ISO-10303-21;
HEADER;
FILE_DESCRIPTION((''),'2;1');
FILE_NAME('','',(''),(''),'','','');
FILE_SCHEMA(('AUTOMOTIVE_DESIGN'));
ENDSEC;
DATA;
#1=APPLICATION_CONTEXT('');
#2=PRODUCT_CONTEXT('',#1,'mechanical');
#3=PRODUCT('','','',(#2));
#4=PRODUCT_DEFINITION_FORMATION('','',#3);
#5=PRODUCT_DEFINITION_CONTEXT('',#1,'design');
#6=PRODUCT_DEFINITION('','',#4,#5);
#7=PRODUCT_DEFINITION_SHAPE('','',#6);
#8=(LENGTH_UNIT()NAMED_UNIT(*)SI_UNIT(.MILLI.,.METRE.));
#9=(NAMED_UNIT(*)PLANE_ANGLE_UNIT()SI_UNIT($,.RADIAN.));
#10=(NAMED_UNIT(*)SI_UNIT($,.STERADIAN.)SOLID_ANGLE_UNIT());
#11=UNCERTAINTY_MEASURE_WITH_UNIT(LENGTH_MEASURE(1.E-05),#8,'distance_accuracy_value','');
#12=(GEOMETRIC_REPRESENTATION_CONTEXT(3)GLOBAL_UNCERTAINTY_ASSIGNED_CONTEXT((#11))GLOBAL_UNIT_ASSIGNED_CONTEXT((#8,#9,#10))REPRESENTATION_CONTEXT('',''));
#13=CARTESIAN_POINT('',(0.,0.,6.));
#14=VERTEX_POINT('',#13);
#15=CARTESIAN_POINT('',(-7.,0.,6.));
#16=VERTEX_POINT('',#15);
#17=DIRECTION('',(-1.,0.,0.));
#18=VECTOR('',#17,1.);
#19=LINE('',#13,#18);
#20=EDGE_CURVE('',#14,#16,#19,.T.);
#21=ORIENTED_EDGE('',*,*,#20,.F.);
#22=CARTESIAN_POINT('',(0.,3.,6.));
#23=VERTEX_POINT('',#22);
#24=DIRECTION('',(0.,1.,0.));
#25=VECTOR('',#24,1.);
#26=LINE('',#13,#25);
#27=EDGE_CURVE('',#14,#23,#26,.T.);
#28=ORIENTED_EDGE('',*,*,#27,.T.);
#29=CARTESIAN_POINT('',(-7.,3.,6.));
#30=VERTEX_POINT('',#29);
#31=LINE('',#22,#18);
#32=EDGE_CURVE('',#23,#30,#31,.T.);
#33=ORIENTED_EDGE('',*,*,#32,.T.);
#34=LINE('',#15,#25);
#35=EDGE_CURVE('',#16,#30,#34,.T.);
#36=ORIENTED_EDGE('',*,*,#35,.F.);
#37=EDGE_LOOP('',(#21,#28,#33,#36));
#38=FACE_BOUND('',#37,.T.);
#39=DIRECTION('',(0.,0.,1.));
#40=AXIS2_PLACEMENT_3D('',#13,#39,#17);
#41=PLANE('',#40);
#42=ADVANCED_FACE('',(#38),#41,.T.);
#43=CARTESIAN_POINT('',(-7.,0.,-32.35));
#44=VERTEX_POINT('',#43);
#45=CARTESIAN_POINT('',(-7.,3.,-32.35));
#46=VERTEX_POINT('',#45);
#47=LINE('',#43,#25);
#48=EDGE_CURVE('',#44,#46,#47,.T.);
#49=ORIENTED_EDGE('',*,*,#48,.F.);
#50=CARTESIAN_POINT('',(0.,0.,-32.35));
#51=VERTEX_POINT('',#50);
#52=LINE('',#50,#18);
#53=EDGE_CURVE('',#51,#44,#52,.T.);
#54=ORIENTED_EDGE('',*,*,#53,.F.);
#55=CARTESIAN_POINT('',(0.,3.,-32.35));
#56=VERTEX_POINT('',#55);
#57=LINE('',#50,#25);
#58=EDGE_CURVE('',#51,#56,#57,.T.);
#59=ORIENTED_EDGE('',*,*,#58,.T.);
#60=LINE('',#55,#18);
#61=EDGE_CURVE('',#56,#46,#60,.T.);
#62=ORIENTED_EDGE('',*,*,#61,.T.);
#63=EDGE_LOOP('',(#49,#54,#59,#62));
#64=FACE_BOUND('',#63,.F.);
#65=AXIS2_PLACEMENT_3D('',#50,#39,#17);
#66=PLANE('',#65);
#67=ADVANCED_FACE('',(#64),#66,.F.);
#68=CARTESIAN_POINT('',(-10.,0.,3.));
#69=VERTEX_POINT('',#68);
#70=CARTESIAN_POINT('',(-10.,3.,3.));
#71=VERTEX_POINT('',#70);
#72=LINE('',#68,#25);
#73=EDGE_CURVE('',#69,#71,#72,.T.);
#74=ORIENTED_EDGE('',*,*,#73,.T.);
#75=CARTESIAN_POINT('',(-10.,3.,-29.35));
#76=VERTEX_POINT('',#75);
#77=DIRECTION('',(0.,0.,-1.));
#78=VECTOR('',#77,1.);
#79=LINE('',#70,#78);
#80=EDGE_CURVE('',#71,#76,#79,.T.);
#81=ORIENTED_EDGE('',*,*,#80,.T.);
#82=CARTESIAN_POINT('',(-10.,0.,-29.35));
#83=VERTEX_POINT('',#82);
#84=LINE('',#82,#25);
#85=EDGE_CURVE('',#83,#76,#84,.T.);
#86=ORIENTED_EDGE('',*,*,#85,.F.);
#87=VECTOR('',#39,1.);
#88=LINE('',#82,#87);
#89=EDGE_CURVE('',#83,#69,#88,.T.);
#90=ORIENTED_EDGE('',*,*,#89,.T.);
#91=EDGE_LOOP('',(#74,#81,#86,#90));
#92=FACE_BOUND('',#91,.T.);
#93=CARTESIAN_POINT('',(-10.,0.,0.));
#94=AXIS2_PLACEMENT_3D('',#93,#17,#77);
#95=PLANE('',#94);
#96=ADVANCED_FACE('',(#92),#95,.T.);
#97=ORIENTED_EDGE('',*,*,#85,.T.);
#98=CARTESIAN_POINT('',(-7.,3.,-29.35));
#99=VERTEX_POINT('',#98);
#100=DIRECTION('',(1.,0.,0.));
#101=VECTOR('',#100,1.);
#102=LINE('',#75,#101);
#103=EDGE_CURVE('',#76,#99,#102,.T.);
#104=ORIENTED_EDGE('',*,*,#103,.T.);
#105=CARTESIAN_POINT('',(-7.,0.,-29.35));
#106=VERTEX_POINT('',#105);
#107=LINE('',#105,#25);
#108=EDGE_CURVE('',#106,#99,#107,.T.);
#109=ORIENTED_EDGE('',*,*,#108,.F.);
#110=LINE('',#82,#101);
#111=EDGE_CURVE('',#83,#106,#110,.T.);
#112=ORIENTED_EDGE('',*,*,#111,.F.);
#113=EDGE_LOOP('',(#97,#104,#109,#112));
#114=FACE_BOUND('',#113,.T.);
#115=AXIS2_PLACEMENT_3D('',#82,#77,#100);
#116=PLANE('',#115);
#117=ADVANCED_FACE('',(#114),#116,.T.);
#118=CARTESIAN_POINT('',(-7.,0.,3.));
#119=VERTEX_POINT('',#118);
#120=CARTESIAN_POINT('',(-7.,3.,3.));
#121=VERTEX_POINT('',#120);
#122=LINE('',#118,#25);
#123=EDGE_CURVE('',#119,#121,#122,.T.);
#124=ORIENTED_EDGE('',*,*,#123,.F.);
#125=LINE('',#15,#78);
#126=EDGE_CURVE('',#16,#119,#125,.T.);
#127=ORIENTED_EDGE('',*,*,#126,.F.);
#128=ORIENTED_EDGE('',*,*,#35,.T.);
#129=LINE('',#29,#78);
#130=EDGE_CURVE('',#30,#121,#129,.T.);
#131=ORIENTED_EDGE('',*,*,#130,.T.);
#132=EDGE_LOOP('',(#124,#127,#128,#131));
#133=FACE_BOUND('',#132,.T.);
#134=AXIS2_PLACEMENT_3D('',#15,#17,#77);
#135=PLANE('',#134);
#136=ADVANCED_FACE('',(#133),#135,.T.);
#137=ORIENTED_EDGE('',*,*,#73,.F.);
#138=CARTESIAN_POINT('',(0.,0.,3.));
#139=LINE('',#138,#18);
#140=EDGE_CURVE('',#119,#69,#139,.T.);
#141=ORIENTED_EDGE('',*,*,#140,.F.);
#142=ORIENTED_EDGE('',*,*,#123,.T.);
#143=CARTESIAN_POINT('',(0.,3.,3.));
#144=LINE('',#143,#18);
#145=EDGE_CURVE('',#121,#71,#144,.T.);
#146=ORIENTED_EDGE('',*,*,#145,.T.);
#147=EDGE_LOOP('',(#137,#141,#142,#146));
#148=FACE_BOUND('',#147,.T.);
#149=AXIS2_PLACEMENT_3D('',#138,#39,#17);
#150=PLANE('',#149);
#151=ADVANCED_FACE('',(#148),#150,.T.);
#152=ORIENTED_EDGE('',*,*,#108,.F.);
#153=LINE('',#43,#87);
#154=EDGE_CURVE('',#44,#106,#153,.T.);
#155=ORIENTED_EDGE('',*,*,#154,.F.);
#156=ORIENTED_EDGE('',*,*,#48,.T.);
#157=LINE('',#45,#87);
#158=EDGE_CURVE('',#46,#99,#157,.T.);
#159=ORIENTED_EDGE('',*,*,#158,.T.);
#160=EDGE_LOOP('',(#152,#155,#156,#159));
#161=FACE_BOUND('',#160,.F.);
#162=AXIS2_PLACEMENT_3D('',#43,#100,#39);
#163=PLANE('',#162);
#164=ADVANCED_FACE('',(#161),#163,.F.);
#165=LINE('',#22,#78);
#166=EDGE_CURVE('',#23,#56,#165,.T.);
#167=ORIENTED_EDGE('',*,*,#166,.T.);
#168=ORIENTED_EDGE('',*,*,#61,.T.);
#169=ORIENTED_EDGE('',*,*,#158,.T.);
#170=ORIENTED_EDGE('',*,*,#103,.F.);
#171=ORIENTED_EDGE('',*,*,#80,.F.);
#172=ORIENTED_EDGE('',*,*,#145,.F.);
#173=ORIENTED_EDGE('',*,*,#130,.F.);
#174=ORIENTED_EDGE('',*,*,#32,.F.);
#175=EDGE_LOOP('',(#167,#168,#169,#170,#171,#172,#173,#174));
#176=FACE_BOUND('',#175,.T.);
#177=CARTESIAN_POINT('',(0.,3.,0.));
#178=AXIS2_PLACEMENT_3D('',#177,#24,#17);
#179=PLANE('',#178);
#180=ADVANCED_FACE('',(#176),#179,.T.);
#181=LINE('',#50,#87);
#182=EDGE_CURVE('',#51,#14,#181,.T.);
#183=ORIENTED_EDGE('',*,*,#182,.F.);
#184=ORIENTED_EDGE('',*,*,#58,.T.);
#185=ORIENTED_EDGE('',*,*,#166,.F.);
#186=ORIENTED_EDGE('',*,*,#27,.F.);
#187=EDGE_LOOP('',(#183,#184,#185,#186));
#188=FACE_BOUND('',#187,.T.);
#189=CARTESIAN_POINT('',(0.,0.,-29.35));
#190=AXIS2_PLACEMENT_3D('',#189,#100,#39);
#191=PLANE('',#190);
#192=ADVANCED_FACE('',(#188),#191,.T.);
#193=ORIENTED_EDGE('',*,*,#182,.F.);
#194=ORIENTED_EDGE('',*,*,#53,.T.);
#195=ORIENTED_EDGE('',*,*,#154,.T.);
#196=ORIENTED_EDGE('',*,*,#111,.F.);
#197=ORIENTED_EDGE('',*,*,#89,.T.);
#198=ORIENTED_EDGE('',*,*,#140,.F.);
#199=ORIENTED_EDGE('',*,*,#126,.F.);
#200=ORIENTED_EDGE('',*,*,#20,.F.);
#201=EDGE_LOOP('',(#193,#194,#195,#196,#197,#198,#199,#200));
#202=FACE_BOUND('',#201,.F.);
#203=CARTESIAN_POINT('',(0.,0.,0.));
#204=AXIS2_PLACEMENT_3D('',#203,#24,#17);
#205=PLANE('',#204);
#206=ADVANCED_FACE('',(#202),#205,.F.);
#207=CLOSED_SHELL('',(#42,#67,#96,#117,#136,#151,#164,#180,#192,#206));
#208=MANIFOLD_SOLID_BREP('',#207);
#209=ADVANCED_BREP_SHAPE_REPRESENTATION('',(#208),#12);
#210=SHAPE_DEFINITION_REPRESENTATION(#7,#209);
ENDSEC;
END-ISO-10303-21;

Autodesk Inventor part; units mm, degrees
ref_plane "YZ Plane" through (0, 0, 0) normal (1, 0, 0) x (0, 1, 0)
ref_plane "XZ Plane" through (0, 0, 0) normal (0, 1, 0) x (-1, 0, 0)
ref_plane "XY Plane" through (0, 0, 0) normal (0, 0, 1) x (1, 0, 0)
sketch "Boceto1" plane through (0, 0, 0) normal (0, 1, 0) x (-1, 0, 0)
  line L0 (10, 0) -> (10, -26.35)
  line L1 (0, -26.35) -> (0, 0)
  line L2 (0, 0) -> (0, 3)
  line L3 (0, 3) -> (10, 3)
  line L4 (10, 3) -> (10, 0)
  line L5 (10, -26.35) -> (10, -29.35)
  line L6 (10, -29.35) -> (0, -29.35)
  line L7 (0, -29.35) -> (0, -26.35)
extrude "Extrusión1" add sketch "Boceto1" along normal blind 3
sketch "Boceto3" plane through (0, 0, 0) normal (0, -1, 0) x (1, 0, 0)
  line L0 (0, 3) -> (0, 6)
  line L1 (0, 6) -> (-7, 6)
  line L2 (-7, 6) -> (-7, 3)
  line L3 (-7, 3) -> (0, 3)
  line L4 (0, -29.35) -> (0, -32.35)
  line L5 (0, -32.35) -> (-7, -32.35)
  line L6 (-7, -32.35) -> (-7, -29.35)
  line L7 (0, -29.35) -> (-7, -29.35)
  point P0 (0, 0)
extrude "Extrusión3" add sketch "Boceto3" against normal blind 3
properties part number "muñeca2"
